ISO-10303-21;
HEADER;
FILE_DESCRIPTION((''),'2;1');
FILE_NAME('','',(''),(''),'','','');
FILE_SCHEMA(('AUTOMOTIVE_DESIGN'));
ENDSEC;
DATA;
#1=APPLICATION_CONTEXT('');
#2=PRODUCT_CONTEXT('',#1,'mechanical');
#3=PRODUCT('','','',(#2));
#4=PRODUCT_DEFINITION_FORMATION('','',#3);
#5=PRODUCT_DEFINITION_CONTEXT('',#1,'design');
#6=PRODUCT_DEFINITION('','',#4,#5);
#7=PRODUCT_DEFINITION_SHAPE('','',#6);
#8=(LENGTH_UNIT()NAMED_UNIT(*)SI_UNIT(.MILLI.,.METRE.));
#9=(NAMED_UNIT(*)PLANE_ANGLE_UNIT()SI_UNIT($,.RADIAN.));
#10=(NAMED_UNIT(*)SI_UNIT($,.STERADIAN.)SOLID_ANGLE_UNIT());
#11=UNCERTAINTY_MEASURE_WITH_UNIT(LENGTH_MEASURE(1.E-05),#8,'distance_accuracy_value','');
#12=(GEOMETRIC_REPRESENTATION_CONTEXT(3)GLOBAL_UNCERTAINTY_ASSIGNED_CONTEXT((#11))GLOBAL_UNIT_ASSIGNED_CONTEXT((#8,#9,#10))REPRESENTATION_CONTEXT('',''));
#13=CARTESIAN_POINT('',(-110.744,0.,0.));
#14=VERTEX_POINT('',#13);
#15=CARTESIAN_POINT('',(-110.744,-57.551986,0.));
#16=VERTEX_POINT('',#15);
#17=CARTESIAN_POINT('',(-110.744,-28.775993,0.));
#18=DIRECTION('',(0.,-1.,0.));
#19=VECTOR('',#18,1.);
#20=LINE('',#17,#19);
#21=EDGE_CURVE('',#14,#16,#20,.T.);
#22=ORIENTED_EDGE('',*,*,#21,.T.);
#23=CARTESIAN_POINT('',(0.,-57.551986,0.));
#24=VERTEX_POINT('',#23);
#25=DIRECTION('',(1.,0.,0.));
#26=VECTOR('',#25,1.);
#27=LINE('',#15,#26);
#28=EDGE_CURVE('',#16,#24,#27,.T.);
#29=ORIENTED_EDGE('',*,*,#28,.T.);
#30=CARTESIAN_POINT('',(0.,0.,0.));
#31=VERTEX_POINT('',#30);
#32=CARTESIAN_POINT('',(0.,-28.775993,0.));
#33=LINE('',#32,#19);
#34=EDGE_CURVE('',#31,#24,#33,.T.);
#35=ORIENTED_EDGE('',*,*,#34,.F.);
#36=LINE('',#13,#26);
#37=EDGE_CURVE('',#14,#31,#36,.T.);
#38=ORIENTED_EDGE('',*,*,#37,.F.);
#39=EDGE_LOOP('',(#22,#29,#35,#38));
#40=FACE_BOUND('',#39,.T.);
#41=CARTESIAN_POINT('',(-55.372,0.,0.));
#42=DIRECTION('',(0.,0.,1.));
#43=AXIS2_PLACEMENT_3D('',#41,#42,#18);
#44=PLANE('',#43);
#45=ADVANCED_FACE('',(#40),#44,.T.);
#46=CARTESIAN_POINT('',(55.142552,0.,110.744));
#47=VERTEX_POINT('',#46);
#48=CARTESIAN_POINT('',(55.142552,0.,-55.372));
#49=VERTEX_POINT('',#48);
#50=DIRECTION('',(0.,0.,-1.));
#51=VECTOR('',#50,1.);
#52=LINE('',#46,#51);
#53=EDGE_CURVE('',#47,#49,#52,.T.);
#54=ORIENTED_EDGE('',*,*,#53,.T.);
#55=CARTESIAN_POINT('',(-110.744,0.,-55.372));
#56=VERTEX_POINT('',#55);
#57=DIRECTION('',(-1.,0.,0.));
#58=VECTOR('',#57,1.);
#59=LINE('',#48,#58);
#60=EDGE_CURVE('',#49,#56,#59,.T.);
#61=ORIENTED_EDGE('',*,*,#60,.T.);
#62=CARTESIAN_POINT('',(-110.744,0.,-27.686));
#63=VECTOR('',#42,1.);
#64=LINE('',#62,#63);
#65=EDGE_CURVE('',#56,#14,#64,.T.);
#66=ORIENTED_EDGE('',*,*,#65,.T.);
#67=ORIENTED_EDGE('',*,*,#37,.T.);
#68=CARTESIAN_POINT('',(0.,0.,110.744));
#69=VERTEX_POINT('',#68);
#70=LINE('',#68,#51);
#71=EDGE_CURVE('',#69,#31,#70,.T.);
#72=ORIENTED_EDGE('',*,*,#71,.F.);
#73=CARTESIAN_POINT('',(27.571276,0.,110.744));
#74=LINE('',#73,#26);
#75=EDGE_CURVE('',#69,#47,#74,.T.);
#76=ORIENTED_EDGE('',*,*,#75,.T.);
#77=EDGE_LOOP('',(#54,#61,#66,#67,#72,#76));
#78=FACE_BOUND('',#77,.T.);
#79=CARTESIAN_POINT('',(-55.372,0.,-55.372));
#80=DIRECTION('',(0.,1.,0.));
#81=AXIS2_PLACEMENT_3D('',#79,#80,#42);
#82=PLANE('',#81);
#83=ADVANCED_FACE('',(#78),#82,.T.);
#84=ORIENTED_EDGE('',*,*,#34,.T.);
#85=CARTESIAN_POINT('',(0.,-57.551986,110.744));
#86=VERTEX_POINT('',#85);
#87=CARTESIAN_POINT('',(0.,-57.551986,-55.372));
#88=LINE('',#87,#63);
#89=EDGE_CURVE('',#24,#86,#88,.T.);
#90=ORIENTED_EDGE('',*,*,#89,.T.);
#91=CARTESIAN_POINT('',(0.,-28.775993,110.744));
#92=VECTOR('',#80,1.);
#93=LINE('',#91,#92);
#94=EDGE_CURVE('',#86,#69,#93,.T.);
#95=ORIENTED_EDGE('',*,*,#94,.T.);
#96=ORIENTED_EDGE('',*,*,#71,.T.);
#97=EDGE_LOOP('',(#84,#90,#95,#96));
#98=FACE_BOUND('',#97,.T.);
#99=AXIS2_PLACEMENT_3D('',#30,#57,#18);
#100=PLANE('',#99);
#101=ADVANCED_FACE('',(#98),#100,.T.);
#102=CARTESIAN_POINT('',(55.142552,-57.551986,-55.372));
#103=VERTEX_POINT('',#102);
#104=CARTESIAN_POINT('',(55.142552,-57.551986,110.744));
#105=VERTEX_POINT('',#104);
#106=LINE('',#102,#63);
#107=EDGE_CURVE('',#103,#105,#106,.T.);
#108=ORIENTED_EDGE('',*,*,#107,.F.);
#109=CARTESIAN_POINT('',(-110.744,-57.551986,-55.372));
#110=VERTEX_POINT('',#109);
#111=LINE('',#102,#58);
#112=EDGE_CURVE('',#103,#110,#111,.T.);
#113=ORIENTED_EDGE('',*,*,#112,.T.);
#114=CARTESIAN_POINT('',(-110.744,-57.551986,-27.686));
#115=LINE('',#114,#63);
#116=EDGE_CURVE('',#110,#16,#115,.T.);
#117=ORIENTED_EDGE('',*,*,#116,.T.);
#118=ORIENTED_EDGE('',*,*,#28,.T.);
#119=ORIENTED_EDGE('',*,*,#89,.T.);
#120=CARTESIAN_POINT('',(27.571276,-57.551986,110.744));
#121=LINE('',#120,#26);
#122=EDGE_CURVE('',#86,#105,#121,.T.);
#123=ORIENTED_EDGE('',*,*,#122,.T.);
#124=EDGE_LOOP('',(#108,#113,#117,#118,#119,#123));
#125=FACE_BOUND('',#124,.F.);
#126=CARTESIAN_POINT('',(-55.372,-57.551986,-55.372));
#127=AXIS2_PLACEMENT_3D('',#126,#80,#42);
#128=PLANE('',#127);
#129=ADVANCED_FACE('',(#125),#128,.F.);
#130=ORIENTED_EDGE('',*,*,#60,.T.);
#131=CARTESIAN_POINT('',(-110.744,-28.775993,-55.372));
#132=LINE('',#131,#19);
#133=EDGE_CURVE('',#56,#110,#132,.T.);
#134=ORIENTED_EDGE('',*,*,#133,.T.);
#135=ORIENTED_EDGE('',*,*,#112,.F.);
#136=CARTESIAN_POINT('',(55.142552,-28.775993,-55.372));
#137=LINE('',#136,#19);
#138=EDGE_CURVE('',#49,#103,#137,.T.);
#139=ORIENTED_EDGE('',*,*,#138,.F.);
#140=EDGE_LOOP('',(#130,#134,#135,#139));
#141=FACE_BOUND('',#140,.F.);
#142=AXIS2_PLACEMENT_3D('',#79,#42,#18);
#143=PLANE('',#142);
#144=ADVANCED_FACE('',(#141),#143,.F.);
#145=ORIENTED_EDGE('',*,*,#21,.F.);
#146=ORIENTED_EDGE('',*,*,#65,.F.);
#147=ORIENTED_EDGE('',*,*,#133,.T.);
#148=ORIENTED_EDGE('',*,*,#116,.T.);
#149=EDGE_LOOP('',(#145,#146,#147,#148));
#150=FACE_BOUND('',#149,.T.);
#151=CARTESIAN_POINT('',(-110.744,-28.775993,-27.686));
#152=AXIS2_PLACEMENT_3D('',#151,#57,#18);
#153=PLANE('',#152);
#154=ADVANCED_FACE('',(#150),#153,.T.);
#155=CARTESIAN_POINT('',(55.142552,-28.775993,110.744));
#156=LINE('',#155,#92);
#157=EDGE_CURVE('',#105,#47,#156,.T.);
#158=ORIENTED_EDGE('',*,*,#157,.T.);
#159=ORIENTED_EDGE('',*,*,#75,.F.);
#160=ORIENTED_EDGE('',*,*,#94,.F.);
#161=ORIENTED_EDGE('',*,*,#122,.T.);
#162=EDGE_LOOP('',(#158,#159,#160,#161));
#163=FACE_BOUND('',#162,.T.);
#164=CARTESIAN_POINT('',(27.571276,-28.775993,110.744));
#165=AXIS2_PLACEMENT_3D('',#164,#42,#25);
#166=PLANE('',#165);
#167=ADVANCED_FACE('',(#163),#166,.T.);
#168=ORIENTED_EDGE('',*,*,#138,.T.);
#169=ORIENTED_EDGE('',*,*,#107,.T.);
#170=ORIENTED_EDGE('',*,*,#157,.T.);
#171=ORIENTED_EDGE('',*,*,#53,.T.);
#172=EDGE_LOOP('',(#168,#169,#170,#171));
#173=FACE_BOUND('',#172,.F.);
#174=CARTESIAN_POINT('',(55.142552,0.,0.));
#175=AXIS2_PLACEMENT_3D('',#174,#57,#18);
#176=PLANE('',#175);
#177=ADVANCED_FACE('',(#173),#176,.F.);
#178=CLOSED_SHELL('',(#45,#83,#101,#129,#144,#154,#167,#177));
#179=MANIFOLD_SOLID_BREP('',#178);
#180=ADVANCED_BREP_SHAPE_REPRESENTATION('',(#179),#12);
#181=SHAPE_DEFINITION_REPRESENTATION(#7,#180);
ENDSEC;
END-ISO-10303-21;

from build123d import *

# Parameters (mm, degrees)
F0_W     = 55.142552
F0_H     = 57.551987
F1_DEPTH = 55.372
F2_W     = 55.142552
F2_H     = 57.551987
F3_DEPTH = 55.372
F4_W     = 55.142552
F4_H     = 57.551987
F5_DEPTH = 55.372
F6_W     = 57.551987
F6_H     = 55.372
F7_DEPTH = 55.372
F8_W     = 57.551987
F8_H     = 55.372
F9_DEPTH = 55.372


with BuildPart() as f1:
    # F0 (on Top) → F1 (new body)
    with BuildSketch(Plane.XY):
        with Locations((27.571276, -28.775993)):
            Rectangle(F0_W, F0_H)
    extrude(amount=F1_DEPTH)

    # F2 (on face) → F3 (join)
    with BuildSketch(Plane.XY.offset(55.372)):
        with Locations((27.571276, -28.775993)):
            Rectangle(F2_W, F2_H)
    extrude(amount=F3_DEPTH)

    # F4 (on face) → F5 (join)
    with BuildSketch(Plane(origin=(0, 0, 0), x_dir=(1, 0, 0), z_dir=(0, 0, -1))):
        with Locations((27.571276, 28.775993)):
            Rectangle(F4_W, F4_H)
    extrude(amount=F5_DEPTH)

    # F6 (on face) → F7 (join)
    with BuildSketch(Plane(origin=(0, 0, 0), x_dir=(0, -1, 0), z_dir=(-1, 0, 0))):
        with Locations((28.775993, -27.686)):
            Rectangle(F6_W, F6_H)
    extrude(amount=F7_DEPTH)

    # F8 (on face) → F9 (join)
    with BuildSketch(Plane(origin=(-55.372, 0, 0), x_dir=(0, -1, 0), z_dir=(-1, 0, 0))):
        with Locations((28.775993, -27.686)):
            Rectangle(F8_W, F8_H)
    extrude(amount=F9_DEPTH)


solid = f1.part
